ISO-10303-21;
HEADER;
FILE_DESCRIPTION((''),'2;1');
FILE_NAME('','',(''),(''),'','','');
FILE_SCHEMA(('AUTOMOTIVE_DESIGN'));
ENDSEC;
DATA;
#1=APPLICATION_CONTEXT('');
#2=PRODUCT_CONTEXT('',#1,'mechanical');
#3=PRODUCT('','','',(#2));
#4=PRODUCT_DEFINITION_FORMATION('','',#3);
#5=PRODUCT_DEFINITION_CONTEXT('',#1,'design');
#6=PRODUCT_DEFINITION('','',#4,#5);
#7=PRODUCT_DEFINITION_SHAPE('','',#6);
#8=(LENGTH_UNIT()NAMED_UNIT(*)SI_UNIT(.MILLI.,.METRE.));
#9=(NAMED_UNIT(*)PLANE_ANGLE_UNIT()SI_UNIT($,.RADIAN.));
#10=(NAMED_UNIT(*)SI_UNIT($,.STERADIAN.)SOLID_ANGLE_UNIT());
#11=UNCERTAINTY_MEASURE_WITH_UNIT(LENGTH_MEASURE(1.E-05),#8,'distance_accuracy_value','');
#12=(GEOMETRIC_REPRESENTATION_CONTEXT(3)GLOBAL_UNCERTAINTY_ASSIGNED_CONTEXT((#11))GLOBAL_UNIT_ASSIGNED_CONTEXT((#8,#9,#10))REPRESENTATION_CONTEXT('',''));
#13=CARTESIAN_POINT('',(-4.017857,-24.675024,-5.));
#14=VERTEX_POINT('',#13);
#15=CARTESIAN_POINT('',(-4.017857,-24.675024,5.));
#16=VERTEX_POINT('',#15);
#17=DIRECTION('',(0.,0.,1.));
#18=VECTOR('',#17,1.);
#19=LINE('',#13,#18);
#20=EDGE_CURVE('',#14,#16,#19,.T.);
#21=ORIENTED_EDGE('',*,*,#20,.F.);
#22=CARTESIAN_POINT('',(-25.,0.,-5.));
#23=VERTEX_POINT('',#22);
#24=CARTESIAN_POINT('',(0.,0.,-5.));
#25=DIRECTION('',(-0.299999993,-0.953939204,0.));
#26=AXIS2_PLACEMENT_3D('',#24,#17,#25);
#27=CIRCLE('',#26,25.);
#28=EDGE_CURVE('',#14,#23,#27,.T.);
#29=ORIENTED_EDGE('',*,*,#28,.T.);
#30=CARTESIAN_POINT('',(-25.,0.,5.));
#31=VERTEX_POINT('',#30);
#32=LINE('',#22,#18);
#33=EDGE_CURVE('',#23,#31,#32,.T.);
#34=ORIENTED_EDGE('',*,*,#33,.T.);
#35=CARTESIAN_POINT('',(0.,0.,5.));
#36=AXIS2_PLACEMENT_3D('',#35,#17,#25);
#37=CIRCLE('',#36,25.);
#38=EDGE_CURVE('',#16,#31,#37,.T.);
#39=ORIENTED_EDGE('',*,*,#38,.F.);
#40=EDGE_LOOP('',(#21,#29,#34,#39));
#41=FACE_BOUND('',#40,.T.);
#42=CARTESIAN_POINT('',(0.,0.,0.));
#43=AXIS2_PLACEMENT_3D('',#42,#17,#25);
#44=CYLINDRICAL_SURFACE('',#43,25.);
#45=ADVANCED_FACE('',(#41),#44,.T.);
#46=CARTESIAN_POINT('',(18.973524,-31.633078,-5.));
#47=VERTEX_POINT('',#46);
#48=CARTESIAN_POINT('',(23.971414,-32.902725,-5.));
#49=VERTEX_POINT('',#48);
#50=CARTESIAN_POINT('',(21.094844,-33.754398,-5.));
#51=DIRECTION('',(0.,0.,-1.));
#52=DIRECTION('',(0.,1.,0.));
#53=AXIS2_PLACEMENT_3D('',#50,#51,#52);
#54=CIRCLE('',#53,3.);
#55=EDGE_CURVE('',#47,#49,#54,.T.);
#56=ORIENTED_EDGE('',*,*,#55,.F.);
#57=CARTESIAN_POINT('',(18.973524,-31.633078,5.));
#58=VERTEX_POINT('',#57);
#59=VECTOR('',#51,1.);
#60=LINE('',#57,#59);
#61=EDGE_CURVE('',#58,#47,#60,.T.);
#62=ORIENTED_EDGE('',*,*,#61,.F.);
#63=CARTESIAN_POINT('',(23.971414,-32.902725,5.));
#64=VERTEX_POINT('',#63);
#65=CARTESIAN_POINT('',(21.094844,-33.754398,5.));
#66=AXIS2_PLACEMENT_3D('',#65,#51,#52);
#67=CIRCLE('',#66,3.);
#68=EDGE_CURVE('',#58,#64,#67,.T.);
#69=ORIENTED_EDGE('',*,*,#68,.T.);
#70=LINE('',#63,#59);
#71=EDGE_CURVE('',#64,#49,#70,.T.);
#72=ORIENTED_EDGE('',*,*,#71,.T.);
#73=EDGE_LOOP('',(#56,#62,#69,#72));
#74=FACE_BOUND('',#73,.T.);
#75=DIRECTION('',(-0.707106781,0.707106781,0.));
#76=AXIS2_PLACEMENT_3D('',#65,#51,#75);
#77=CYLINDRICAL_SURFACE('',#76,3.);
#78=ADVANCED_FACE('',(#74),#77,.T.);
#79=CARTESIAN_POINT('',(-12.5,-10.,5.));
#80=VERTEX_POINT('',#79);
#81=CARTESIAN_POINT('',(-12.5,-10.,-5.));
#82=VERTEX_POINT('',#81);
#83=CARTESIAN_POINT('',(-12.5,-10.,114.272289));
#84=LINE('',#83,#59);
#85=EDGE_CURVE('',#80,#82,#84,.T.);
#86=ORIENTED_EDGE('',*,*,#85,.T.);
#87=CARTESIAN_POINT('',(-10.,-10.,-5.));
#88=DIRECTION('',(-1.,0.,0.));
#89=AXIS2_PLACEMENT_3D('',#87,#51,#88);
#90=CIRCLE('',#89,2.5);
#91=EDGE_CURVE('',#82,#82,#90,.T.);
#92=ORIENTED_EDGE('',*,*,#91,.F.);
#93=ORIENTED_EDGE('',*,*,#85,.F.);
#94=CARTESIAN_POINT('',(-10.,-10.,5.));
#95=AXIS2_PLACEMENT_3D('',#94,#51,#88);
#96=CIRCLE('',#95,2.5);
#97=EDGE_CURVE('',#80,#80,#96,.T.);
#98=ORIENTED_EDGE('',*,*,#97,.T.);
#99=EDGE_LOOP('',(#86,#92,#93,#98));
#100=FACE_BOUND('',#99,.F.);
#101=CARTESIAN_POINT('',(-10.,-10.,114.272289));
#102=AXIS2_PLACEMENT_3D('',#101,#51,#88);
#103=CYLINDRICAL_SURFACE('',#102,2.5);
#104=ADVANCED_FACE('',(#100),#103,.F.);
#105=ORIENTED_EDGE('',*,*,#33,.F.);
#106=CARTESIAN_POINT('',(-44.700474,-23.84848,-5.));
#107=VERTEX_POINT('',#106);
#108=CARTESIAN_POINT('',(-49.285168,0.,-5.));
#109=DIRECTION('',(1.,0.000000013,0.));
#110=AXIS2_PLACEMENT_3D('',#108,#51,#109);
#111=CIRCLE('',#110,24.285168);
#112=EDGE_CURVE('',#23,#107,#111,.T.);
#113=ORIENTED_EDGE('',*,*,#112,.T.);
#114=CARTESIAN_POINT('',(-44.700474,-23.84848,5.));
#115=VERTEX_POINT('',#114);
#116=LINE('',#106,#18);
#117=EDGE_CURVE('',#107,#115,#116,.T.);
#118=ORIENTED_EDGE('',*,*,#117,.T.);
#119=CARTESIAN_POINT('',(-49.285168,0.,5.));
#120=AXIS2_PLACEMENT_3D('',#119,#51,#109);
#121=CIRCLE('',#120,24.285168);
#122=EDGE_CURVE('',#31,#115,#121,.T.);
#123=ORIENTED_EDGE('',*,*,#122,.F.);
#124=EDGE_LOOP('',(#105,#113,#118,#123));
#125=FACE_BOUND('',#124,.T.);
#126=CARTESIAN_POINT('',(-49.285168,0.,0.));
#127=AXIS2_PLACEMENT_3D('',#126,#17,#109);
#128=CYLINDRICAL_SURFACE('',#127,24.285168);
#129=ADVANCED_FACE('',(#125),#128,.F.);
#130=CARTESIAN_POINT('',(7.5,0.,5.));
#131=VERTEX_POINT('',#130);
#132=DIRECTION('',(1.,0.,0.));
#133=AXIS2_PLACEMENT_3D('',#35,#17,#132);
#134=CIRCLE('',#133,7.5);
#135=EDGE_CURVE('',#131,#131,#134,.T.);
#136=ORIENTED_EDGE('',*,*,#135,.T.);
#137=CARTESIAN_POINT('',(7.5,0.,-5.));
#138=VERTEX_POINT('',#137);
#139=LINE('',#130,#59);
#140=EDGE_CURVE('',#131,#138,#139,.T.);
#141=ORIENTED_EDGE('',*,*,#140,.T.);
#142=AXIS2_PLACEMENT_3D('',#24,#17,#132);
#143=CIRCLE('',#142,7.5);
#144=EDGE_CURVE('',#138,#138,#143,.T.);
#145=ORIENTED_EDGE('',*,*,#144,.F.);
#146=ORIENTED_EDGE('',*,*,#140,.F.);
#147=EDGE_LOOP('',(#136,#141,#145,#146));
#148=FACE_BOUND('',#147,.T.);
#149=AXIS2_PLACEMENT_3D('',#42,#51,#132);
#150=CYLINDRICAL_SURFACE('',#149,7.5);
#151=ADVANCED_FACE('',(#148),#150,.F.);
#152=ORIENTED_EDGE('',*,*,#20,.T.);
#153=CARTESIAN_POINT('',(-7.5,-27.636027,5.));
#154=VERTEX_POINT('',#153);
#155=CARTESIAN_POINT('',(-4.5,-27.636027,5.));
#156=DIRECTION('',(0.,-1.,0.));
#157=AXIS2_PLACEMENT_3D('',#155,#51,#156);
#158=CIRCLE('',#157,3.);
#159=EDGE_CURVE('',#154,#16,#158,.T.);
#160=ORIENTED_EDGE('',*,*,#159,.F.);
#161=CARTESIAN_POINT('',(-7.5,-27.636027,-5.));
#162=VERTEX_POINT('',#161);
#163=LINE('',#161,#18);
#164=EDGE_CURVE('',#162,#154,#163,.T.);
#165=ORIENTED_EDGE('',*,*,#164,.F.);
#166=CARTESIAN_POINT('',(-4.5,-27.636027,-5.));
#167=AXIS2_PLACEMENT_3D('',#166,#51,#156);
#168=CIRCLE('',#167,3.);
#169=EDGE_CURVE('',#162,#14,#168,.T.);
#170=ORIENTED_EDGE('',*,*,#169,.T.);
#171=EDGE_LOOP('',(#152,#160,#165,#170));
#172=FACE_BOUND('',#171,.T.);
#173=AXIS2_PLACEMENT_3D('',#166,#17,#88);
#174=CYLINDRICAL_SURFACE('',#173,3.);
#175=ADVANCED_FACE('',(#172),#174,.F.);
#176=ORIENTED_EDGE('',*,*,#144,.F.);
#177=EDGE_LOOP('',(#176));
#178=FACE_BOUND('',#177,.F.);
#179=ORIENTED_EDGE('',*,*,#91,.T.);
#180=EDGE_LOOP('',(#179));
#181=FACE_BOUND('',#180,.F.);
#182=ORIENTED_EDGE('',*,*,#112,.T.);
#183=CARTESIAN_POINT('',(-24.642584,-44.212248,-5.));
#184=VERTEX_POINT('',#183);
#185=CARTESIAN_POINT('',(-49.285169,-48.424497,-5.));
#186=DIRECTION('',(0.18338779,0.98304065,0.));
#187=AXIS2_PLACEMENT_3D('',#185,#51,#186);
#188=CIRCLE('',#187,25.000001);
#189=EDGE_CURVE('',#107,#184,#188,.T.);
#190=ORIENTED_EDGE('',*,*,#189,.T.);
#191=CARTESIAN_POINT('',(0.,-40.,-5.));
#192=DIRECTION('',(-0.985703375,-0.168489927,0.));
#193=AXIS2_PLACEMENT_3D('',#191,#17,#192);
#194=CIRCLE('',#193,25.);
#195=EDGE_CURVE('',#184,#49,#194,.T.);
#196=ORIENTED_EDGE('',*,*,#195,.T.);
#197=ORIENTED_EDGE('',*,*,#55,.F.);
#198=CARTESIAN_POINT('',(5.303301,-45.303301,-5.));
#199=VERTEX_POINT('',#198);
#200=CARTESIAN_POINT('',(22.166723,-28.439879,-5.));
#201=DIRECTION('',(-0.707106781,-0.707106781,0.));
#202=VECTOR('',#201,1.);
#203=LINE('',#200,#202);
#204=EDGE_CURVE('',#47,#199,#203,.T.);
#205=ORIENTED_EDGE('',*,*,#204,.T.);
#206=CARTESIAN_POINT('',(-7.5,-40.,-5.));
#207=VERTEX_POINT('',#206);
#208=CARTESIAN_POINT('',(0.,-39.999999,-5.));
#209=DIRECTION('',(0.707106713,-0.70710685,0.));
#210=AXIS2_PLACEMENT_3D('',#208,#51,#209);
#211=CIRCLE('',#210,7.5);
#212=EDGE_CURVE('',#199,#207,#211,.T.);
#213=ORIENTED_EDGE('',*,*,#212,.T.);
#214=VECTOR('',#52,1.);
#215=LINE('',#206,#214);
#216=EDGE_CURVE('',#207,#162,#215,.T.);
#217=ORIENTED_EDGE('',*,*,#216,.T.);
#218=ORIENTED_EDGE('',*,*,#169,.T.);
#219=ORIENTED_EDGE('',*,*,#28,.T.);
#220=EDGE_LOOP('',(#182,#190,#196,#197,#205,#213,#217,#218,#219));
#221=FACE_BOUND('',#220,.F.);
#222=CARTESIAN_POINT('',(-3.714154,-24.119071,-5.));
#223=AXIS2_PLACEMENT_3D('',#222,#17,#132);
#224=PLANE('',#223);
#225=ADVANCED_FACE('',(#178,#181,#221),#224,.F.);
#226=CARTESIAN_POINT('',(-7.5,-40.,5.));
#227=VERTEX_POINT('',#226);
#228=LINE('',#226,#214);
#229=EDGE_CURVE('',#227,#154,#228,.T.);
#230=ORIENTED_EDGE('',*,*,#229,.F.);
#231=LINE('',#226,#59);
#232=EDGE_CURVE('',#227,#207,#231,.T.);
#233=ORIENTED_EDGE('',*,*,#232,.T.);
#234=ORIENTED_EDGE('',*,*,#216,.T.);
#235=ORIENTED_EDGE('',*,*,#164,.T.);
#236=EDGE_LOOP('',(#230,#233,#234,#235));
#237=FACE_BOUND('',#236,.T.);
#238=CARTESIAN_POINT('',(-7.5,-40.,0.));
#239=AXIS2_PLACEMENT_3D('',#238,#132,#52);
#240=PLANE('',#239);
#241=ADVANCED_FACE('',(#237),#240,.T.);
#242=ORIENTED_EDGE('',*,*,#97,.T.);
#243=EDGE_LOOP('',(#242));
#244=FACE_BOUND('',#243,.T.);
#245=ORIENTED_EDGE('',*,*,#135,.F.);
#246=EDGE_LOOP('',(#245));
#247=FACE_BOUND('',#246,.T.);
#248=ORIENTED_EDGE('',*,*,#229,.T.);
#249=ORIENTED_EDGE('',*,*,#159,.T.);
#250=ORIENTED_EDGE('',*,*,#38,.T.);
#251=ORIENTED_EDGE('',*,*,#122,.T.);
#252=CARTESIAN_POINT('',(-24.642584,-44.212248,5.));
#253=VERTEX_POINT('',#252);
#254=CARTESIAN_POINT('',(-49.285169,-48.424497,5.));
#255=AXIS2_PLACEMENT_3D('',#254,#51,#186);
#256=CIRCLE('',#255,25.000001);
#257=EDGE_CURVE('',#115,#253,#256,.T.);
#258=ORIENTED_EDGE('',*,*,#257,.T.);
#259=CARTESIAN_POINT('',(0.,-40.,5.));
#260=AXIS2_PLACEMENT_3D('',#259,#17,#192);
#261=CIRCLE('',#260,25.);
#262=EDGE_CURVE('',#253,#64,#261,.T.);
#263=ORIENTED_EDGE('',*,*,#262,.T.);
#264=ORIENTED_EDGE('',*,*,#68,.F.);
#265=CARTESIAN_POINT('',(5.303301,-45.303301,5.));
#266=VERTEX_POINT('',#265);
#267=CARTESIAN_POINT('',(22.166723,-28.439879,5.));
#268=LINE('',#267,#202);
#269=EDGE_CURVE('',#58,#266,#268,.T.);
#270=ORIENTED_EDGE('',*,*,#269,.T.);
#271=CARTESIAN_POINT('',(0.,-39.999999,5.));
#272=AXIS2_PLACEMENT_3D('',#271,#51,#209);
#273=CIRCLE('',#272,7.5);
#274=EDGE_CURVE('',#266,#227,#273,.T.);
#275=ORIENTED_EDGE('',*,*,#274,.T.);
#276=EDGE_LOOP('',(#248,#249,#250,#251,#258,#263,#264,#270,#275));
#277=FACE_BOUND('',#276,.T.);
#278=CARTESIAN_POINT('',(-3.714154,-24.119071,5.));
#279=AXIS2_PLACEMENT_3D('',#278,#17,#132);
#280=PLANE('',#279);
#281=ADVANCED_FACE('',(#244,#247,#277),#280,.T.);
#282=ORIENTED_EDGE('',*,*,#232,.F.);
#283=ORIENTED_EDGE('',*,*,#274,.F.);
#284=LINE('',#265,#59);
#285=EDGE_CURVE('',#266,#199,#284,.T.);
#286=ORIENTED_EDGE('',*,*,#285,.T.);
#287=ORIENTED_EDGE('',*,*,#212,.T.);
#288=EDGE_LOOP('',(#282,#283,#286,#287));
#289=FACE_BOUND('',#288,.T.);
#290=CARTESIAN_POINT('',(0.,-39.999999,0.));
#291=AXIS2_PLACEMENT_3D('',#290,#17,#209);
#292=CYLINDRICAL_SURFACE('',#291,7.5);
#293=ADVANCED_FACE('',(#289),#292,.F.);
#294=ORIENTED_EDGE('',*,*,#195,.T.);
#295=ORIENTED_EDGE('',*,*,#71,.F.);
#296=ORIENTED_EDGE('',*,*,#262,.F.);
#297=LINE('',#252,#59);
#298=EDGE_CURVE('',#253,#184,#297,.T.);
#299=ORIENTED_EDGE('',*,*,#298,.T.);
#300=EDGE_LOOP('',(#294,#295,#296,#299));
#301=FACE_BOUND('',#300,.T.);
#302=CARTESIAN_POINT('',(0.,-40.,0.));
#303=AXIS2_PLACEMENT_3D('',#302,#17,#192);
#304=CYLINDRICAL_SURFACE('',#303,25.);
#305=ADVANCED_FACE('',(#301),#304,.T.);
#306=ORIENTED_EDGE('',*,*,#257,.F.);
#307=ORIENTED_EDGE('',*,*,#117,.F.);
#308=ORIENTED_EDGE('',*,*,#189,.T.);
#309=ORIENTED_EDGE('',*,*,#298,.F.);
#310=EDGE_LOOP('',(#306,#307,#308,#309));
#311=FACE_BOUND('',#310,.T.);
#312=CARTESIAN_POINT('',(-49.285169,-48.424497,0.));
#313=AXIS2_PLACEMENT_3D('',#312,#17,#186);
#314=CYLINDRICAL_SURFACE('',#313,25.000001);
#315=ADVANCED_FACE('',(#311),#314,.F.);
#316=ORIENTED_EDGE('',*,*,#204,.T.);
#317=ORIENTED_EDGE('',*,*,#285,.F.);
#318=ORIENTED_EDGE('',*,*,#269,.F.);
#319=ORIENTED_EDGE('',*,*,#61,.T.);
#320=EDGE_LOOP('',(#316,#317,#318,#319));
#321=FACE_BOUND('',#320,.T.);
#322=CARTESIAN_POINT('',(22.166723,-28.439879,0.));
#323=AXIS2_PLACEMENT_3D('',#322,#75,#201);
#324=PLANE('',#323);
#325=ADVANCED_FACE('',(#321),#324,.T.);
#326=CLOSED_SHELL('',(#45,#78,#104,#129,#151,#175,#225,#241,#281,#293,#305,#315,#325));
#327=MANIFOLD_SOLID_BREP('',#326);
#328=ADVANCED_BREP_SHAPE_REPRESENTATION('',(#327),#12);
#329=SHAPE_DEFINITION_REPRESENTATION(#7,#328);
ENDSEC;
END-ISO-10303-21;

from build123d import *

# Parameters (mm, degrees)
F0_R     = 7.5
F1_DEPTH = 5
F2_R     = 3
F5_D     = 5


with BuildPart() as f1:
    # F0 (on Top) → F1 (new body, symmetric)
    with BuildSketch(Plane.XY):
        with BuildLine():
            Line((-7.5, -40), (-7.5, -23.84848))
            ThreePointArc((-7.5, -23.84848), (20.155644, 14.790199), (-25, 0))
            ThreePointArc((-25, 0), (-30.562061, -15.466566), (-44.700474, -23.84848))
            ThreePointArc((-44.700474, -23.84848), (-31.474239, -30.881099), (-24.642584, -44.212248))
            ThreePointArc((-24.642584, -44.212248), (7.982755, -63.691256), (22.166723, -28.439879))
            Line((22.166723, -28.439879), (5.303301, -45.303301))
            ThreePointArc((5.303301, -45.303301), (-2.870126, -46.929096), (-7.5, -40))
        make_face()
        Circle(F0_R, mode=Mode.SUBTRACT)
    extrude(amount=F1_DEPTH, both=True)

    # F2
    f2_edges = [f1.edges().sort_by_distance(p)[0] for p in [
        (22.166723, -28.439879, 0),
        (-7.5, -23.84848, 0),
    ]]
    fillet(f2_edges, radius=F2_R)

    # F5 (through all)
    with Locations(Plane.XY):
        with Locations((-10, -10)):
            Hole(F5_D / 2)


solid = f1.part
